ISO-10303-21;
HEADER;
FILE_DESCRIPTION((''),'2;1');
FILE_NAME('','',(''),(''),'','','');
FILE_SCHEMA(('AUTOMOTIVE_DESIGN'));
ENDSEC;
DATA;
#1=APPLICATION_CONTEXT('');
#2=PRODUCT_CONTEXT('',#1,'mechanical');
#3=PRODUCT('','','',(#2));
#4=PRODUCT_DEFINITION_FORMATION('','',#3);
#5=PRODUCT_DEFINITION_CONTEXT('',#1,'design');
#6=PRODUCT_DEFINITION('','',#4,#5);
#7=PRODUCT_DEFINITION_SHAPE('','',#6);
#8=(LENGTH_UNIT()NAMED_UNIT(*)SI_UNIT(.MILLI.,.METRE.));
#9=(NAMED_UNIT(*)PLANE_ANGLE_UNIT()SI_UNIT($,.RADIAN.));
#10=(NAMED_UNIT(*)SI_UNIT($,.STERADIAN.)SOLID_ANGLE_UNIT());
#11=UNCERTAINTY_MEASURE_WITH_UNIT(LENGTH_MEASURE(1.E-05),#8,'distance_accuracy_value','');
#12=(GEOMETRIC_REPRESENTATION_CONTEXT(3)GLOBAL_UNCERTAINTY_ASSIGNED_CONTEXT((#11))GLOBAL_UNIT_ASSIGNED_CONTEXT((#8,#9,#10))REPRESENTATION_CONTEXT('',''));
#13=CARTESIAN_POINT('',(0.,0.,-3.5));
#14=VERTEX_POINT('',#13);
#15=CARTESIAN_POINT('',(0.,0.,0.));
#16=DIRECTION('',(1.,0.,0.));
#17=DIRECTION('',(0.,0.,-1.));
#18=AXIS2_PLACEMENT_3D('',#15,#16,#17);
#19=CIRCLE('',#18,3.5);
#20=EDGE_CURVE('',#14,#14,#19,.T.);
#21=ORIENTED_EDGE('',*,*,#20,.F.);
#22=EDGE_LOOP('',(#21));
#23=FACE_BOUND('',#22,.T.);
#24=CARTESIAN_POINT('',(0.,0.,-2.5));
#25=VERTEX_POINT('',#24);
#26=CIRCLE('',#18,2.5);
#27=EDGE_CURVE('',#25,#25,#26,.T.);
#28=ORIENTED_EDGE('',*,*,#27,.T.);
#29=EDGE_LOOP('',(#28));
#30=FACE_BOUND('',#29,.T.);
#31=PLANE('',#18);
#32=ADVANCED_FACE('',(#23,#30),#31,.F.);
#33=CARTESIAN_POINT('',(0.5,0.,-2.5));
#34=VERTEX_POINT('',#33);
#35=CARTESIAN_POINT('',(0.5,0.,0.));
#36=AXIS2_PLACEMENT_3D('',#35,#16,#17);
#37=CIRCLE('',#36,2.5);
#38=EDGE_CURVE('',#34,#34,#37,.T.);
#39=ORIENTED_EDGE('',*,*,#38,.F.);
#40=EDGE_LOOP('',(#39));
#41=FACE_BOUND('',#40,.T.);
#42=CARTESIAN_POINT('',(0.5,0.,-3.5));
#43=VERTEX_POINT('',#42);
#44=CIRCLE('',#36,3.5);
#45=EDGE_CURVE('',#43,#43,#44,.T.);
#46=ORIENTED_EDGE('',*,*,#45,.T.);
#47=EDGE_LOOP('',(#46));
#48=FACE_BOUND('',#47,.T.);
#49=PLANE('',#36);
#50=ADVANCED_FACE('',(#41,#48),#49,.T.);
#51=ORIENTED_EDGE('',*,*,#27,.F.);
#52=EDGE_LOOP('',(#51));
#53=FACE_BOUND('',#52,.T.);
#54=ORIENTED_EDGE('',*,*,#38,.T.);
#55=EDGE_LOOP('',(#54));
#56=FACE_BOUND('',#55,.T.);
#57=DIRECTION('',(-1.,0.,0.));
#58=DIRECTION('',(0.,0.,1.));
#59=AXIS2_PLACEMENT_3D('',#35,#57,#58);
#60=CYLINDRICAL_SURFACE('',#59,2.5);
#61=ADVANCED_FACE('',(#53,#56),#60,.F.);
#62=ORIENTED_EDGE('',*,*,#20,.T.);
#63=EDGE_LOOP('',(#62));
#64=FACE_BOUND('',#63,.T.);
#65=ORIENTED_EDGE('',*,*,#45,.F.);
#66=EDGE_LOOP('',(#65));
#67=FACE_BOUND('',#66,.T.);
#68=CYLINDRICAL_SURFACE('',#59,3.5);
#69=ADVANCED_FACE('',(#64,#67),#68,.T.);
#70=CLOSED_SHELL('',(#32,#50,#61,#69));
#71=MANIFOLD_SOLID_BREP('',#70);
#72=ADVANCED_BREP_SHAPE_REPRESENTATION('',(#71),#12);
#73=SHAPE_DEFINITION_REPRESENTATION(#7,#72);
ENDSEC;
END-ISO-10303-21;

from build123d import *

# Parameters (mm, degrees)
SKETCH_1_R      = 3.5
SKETCH_1_R_2    = 2.5
EXTRUDE_1_DEPTH = 0.5


with BuildPart() as part:
    # 草图1 → 凸台-拉伸1 (new body)
    with BuildSketch(Plane(origin=(0, 0, 0), x_dir=(0, 0, -1), z_dir=(1, 0, 0))):
        Circle(SKETCH_1_R)
        Circle(SKETCH_1_R_2, mode=Mode.SUBTRACT)
    extrude(amount=EXTRUDE_1_DEPTH)


solid = part.part
